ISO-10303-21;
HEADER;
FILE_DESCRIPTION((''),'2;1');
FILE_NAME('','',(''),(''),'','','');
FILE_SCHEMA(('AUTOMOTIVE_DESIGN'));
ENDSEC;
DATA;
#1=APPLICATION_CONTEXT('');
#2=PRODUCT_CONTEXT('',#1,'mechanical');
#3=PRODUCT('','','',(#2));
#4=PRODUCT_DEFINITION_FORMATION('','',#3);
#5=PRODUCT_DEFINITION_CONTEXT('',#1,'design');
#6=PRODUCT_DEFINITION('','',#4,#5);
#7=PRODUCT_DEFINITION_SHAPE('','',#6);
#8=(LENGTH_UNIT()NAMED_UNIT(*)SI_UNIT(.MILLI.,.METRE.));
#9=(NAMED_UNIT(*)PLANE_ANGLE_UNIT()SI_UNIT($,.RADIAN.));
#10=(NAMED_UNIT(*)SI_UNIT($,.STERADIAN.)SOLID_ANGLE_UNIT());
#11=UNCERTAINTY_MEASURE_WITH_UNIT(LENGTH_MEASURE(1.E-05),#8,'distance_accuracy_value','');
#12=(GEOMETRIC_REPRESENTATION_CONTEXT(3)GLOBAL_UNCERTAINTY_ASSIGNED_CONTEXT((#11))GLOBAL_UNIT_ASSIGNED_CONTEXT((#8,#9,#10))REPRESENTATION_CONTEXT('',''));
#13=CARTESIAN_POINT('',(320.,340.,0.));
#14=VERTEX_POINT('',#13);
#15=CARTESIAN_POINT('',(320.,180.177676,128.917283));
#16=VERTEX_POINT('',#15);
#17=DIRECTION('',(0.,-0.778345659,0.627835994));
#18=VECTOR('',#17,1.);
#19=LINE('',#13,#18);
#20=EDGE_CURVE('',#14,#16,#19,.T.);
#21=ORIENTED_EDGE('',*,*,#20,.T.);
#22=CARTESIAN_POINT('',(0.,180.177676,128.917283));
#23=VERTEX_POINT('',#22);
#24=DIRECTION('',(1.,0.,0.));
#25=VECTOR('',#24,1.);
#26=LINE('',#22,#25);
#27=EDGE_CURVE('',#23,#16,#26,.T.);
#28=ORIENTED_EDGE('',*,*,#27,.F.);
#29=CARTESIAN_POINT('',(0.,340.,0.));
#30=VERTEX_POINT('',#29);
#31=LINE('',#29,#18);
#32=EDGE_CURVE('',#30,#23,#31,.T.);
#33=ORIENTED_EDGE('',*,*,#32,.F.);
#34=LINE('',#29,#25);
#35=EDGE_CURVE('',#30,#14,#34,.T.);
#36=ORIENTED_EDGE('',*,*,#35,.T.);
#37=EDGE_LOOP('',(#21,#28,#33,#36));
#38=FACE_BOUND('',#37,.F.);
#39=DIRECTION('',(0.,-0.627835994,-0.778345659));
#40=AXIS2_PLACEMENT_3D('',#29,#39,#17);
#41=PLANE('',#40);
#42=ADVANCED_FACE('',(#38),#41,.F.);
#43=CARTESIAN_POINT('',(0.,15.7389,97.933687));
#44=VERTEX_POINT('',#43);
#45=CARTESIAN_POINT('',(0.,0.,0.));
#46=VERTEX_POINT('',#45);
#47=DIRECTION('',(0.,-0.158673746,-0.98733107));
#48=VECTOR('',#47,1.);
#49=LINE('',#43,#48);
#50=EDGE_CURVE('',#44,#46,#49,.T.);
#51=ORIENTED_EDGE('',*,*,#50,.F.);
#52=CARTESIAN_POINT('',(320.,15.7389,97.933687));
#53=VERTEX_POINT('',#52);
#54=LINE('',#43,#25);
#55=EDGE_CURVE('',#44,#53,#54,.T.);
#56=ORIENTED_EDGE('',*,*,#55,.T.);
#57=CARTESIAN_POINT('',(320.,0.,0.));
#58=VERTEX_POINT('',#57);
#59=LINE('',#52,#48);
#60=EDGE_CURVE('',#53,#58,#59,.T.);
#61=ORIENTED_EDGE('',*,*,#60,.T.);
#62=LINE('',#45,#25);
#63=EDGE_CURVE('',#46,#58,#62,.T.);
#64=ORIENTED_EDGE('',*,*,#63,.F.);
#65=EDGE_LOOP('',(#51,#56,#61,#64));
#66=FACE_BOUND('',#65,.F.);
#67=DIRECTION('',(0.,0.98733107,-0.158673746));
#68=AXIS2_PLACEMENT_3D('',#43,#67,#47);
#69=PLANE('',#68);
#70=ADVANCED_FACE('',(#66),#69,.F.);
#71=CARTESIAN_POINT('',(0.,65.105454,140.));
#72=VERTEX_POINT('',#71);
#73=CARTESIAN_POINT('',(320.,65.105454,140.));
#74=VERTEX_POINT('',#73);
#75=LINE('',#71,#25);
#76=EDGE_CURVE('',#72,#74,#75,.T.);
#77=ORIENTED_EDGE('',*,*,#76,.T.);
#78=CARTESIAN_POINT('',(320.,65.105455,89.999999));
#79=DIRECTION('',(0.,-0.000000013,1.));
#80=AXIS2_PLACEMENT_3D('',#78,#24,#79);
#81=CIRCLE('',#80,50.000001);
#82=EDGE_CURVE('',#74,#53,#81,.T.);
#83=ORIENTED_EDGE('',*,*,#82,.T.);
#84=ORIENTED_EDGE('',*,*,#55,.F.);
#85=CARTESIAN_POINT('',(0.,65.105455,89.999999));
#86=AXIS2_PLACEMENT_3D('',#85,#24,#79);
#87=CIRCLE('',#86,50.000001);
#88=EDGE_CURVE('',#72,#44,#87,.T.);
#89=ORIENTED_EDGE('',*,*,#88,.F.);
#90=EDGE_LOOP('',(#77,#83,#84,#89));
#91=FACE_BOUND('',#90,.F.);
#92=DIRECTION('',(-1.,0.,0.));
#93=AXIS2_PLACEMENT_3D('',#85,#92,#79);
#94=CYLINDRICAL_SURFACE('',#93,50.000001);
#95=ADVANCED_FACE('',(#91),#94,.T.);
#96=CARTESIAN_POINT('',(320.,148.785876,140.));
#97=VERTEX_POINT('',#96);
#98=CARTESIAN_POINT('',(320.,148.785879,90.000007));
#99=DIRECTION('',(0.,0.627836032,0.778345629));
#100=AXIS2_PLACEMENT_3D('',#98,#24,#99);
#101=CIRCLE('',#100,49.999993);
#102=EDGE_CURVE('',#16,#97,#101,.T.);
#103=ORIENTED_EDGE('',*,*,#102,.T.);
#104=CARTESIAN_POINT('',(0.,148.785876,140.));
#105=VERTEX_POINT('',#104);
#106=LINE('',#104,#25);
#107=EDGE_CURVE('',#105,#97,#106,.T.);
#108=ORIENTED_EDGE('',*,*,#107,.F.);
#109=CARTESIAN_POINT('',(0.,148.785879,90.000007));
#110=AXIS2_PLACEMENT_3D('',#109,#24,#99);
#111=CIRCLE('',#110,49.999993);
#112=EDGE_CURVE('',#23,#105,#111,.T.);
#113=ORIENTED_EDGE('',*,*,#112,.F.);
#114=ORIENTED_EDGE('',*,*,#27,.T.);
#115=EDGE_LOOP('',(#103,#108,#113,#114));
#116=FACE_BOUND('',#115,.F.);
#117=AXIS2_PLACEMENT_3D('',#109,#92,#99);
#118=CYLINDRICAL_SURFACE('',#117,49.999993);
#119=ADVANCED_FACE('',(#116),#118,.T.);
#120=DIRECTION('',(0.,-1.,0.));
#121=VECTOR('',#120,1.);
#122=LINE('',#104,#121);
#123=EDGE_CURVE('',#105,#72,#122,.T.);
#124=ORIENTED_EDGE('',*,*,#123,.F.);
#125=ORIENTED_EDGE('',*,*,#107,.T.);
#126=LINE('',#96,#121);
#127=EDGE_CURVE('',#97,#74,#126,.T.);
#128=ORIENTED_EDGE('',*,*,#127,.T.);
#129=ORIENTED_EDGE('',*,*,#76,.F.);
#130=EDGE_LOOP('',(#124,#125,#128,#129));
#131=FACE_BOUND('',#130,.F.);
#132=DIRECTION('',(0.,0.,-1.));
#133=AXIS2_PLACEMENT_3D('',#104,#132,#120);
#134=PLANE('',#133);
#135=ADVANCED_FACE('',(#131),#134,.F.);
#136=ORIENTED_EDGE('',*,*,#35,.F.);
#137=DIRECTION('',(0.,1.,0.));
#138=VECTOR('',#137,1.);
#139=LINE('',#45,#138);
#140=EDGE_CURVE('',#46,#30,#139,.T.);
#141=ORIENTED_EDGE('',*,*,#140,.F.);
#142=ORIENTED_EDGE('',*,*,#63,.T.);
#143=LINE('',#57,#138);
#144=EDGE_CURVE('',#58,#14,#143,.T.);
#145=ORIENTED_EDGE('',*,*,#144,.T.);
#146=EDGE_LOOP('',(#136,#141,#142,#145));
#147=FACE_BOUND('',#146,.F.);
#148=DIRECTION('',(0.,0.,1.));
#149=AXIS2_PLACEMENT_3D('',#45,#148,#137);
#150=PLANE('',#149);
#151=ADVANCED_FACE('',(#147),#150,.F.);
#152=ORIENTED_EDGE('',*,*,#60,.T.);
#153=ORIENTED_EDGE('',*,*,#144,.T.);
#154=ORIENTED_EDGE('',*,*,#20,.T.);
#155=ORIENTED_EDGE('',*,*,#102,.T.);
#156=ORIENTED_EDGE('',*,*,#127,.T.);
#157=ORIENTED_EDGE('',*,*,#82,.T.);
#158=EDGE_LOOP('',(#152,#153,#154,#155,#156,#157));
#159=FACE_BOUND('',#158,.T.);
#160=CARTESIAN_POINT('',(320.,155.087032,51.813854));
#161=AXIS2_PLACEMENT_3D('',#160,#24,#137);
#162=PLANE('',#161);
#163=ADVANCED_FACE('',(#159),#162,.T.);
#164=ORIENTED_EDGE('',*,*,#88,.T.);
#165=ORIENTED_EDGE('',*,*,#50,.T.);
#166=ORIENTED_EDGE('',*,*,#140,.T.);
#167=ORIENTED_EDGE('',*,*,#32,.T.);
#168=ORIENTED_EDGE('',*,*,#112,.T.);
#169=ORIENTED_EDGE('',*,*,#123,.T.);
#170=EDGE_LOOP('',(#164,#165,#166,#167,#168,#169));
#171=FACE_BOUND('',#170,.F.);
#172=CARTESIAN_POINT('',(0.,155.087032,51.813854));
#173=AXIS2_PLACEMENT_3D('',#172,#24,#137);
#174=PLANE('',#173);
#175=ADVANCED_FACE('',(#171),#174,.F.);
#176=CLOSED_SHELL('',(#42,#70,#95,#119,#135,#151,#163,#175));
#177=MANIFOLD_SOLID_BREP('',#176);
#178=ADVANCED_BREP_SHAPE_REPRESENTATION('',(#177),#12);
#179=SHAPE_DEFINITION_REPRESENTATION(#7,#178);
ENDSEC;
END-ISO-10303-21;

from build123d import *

# Parameters (mm, degrees)
F1_DEPTH = 320


with BuildPart() as f1:
    # F0 (on Right) → F1 (new body)
    with BuildSketch(Plane.YZ):
        with BuildLine():
            Line((15.7389, 97.933687), (0, 0))
            Line((0, 0), (340, 0))
            Line((340, 0), (180.177676, 128.917283))
            ThreePointArc((180.177676, 128.917283), (165.431234, 137.147981), (148.785876, 140))
            Line((148.785876, 140), (65.105454, 140))
            ThreePointArc((65.105454, 140), (32.67618, 128.057091), (15.7389, 97.933687))
        make_face()
    extrude(amount=F1_DEPTH)


solid = f1.part
